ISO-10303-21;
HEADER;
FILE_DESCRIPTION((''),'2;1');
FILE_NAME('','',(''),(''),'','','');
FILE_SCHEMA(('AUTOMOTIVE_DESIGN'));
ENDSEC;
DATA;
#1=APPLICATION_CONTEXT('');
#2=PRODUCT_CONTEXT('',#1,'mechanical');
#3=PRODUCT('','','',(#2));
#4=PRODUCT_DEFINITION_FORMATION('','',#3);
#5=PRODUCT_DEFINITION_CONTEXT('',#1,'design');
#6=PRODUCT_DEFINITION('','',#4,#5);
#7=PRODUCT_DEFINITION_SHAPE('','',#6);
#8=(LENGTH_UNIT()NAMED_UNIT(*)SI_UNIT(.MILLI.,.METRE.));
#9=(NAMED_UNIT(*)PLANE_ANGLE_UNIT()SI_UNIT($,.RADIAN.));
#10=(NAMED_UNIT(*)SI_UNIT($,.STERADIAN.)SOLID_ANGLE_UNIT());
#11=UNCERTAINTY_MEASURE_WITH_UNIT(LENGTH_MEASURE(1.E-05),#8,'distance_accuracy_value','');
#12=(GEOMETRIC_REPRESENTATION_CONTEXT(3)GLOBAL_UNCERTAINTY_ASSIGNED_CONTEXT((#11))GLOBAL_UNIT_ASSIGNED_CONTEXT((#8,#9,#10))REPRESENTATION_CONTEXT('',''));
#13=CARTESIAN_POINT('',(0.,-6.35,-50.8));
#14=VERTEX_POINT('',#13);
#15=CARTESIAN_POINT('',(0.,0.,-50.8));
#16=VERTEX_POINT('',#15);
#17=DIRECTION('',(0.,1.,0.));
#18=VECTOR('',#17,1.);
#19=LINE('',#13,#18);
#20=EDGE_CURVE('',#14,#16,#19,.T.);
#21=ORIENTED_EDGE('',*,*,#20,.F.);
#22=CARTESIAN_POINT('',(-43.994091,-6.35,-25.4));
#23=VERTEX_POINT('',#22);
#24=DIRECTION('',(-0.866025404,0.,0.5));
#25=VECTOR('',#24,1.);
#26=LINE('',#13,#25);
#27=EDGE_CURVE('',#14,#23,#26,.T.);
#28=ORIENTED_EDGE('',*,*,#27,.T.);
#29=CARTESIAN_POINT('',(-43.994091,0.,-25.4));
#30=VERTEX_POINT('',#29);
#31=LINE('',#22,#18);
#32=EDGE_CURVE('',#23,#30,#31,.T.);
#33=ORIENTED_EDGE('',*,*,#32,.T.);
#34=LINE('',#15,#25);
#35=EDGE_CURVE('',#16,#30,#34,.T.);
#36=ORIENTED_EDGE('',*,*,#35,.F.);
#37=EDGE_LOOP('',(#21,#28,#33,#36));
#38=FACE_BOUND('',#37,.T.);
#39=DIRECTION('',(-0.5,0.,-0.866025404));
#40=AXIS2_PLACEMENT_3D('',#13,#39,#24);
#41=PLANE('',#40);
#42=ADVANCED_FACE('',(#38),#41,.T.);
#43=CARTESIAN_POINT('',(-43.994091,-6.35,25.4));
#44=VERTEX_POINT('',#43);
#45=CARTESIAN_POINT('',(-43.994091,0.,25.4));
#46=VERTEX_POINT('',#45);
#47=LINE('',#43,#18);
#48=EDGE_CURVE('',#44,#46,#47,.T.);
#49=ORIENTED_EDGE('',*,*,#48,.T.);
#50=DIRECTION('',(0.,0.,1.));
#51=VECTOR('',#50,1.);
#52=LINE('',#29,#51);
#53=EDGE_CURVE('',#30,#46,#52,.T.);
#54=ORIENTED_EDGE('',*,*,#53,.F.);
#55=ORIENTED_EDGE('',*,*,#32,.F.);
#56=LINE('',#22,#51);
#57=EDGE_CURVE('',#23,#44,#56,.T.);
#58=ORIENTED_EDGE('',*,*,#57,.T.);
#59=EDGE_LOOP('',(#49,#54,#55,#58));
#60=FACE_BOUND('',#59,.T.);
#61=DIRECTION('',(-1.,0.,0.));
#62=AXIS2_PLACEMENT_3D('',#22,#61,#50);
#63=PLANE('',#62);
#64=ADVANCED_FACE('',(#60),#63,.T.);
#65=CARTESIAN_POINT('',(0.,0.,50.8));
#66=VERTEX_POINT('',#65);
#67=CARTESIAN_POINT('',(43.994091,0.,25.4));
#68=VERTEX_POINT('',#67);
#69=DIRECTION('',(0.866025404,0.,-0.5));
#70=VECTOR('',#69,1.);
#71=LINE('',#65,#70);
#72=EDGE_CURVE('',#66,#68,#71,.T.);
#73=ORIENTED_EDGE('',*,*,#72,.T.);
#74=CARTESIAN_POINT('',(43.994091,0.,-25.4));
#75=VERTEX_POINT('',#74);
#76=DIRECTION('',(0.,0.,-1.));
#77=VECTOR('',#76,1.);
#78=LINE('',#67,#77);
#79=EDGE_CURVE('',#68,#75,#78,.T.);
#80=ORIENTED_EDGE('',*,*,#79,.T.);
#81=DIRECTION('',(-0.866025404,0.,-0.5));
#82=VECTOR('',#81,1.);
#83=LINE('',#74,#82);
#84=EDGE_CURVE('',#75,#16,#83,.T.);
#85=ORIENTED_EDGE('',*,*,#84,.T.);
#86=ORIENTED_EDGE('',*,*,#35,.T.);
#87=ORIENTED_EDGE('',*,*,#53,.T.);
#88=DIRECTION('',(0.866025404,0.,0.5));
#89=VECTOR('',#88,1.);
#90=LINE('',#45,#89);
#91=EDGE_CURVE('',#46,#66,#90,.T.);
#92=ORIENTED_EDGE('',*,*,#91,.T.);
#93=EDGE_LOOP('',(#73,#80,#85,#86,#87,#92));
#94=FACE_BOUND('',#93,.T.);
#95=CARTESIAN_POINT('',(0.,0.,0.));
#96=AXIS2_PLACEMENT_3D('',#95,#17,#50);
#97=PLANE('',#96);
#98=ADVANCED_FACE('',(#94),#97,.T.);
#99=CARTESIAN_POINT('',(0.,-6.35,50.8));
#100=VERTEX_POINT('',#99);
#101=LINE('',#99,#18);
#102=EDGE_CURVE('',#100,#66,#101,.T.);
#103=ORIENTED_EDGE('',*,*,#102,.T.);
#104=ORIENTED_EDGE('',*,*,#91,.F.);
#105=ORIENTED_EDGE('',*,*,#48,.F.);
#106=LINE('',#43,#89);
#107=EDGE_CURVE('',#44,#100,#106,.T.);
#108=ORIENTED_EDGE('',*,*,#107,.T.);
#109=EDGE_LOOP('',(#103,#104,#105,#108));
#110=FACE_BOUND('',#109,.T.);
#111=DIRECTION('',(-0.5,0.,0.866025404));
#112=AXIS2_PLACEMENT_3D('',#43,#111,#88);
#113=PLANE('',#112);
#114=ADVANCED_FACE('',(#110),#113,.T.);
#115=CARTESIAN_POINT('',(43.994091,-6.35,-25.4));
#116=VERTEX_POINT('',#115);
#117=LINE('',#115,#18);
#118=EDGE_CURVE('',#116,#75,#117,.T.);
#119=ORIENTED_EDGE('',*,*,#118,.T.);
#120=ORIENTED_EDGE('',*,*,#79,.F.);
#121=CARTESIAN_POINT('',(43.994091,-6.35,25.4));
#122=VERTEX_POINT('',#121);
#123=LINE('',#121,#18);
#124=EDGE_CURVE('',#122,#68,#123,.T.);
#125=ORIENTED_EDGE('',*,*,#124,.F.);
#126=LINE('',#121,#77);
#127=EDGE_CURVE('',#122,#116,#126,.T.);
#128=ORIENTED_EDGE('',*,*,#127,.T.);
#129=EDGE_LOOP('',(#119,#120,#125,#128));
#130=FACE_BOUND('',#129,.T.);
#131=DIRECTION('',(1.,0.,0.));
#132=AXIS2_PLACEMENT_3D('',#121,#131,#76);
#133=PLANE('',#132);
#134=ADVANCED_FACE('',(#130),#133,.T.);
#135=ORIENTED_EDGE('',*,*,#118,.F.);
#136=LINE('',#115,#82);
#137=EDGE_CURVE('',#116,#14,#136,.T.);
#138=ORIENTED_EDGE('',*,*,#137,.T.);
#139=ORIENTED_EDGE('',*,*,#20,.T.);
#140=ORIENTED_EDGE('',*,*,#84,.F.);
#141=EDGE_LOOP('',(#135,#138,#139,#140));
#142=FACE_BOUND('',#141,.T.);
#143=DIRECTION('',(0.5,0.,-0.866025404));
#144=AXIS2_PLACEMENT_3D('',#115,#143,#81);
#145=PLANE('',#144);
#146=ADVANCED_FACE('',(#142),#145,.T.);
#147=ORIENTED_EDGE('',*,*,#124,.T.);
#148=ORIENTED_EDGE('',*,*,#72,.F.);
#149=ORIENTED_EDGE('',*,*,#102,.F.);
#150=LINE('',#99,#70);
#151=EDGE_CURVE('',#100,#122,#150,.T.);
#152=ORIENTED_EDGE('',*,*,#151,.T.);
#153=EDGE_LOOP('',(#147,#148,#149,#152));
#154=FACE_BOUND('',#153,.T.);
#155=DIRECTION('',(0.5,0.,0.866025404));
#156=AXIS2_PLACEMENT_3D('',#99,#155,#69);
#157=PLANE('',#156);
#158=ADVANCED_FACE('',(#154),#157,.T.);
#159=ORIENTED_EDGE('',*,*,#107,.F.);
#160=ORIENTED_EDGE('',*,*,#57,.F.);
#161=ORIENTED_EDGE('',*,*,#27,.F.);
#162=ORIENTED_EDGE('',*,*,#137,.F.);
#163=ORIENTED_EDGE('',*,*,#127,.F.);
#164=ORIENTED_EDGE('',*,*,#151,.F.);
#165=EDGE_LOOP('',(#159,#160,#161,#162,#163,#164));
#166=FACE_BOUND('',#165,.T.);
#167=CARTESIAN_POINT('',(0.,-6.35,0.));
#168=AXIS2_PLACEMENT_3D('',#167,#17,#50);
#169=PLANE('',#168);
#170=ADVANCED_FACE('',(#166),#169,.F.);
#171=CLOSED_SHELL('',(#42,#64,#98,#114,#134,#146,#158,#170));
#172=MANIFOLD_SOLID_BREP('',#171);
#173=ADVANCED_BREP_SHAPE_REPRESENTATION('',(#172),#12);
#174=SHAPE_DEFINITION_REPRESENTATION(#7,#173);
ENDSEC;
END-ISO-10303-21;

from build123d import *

# Parameters (mm, degrees)
BOSS_EXTRUDE1_DEPTH = 6.35


with BuildPart() as part:
    # Sketch1 → Boss-Extrude1 (new body)
    with BuildSketch(Plane(origin=(0, 0, 0), x_dir=(1, 0, 0), z_dir=(0, 1, 0))):
        Polygon((43.994090512, 25.4), (0, 50.8), (-43.994090512, 25.4), (-43.994090512, -25.4), (0, -50.8), (43.994090512, -25.4), align=None)
    extrude(amount=-BOSS_EXTRUDE1_DEPTH)


solid = part.part
